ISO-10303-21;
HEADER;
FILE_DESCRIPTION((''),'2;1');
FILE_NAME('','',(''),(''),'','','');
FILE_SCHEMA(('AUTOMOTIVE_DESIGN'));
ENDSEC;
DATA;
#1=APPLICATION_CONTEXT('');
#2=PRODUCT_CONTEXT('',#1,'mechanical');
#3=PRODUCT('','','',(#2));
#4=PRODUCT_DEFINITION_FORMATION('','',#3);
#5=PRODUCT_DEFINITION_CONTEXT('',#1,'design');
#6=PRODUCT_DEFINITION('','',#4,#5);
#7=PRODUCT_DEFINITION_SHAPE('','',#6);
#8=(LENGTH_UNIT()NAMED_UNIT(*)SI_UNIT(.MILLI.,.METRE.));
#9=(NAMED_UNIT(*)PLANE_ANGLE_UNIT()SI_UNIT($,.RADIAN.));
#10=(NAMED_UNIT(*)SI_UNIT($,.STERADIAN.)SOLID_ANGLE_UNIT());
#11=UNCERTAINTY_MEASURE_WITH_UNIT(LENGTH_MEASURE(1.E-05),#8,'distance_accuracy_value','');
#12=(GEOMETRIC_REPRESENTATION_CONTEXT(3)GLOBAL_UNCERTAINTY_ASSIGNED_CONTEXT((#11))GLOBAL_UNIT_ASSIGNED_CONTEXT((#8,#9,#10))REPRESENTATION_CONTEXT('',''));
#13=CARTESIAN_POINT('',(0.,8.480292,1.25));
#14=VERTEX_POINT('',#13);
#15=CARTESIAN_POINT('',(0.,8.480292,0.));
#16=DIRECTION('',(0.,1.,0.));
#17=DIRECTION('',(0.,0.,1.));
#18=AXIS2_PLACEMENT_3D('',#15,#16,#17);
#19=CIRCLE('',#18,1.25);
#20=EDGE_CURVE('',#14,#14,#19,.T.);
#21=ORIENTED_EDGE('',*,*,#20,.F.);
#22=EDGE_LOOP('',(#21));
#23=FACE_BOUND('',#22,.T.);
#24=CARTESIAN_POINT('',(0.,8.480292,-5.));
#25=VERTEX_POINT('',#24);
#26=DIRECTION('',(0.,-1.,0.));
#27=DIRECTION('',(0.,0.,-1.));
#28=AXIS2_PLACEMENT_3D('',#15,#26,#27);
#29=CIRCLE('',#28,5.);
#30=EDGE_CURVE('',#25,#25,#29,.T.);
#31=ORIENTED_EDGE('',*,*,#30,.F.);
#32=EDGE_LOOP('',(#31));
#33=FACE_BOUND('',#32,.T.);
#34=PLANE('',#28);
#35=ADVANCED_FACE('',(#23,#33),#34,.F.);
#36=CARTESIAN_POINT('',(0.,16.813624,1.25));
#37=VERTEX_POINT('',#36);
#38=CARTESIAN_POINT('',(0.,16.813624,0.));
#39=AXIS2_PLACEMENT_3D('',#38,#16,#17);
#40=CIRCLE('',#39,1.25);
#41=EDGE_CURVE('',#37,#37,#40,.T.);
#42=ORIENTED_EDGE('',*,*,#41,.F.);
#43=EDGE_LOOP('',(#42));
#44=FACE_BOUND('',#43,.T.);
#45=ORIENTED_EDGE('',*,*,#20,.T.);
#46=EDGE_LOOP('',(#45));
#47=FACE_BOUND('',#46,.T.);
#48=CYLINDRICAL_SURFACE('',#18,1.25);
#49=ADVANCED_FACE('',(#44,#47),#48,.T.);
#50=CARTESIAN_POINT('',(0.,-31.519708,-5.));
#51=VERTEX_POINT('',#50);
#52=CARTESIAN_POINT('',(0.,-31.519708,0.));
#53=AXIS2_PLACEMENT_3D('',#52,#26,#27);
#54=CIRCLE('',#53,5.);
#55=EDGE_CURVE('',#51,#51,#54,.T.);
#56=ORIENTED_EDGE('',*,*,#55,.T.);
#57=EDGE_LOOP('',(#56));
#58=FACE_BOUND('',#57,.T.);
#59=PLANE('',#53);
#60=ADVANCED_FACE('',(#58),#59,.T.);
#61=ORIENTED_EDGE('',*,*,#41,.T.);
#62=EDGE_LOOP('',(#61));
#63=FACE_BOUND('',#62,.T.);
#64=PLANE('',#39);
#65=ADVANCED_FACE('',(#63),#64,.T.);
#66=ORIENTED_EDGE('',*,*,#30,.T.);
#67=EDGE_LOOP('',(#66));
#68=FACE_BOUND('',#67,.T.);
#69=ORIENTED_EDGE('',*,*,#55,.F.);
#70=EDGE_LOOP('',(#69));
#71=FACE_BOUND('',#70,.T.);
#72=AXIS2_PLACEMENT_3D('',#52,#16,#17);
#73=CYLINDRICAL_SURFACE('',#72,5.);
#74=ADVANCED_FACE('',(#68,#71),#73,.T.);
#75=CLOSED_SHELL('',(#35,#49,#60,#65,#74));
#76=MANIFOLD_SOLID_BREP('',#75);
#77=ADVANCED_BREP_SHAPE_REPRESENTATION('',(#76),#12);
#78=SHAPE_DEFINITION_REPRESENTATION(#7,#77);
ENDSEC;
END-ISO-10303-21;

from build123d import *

# Parameters (mm, degrees)
SKETCH1_R           = 0.5
BOSS_EXTRUDE1_DEPTH = 3.333333
SKETCH2_R           = 2
BOSS_EXTRUDE2_DEPTH = 16
SCALE1_SCALE        = 2.5


with BuildPart() as part:
    # Sketch1 → Boss-Extrude1 (new body)
    with BuildSketch(Plane(origin=(0, 0, 0), x_dir=(1, 0, 0), z_dir=(0, 1, 0))):
        with Locations(Location((0, 0, 0), (0, 0, 270))):
            Circle(SKETCH1_R)
    extrude(amount=-BOSS_EXTRUDE1_DEPTH)

    # Sketch2 → Boss-Extrude2 (add)
    with BuildSketch(Plane.XZ.offset(3.333333)):
        with Locations(Location((0, 0, 0), (0, 0, 270))):
            Circle(SKETCH2_R)
    extrude(amount=BOSS_EXTRUDE2_DEPTH)


with BuildPart() as part_1:
    # Scale1: scaled about (0, -11.2090828, 0)
    add(part.part.scale(SCALE1_SCALE).moved(Location((0, 16.8136242, 0))))


solid = part_1.part
